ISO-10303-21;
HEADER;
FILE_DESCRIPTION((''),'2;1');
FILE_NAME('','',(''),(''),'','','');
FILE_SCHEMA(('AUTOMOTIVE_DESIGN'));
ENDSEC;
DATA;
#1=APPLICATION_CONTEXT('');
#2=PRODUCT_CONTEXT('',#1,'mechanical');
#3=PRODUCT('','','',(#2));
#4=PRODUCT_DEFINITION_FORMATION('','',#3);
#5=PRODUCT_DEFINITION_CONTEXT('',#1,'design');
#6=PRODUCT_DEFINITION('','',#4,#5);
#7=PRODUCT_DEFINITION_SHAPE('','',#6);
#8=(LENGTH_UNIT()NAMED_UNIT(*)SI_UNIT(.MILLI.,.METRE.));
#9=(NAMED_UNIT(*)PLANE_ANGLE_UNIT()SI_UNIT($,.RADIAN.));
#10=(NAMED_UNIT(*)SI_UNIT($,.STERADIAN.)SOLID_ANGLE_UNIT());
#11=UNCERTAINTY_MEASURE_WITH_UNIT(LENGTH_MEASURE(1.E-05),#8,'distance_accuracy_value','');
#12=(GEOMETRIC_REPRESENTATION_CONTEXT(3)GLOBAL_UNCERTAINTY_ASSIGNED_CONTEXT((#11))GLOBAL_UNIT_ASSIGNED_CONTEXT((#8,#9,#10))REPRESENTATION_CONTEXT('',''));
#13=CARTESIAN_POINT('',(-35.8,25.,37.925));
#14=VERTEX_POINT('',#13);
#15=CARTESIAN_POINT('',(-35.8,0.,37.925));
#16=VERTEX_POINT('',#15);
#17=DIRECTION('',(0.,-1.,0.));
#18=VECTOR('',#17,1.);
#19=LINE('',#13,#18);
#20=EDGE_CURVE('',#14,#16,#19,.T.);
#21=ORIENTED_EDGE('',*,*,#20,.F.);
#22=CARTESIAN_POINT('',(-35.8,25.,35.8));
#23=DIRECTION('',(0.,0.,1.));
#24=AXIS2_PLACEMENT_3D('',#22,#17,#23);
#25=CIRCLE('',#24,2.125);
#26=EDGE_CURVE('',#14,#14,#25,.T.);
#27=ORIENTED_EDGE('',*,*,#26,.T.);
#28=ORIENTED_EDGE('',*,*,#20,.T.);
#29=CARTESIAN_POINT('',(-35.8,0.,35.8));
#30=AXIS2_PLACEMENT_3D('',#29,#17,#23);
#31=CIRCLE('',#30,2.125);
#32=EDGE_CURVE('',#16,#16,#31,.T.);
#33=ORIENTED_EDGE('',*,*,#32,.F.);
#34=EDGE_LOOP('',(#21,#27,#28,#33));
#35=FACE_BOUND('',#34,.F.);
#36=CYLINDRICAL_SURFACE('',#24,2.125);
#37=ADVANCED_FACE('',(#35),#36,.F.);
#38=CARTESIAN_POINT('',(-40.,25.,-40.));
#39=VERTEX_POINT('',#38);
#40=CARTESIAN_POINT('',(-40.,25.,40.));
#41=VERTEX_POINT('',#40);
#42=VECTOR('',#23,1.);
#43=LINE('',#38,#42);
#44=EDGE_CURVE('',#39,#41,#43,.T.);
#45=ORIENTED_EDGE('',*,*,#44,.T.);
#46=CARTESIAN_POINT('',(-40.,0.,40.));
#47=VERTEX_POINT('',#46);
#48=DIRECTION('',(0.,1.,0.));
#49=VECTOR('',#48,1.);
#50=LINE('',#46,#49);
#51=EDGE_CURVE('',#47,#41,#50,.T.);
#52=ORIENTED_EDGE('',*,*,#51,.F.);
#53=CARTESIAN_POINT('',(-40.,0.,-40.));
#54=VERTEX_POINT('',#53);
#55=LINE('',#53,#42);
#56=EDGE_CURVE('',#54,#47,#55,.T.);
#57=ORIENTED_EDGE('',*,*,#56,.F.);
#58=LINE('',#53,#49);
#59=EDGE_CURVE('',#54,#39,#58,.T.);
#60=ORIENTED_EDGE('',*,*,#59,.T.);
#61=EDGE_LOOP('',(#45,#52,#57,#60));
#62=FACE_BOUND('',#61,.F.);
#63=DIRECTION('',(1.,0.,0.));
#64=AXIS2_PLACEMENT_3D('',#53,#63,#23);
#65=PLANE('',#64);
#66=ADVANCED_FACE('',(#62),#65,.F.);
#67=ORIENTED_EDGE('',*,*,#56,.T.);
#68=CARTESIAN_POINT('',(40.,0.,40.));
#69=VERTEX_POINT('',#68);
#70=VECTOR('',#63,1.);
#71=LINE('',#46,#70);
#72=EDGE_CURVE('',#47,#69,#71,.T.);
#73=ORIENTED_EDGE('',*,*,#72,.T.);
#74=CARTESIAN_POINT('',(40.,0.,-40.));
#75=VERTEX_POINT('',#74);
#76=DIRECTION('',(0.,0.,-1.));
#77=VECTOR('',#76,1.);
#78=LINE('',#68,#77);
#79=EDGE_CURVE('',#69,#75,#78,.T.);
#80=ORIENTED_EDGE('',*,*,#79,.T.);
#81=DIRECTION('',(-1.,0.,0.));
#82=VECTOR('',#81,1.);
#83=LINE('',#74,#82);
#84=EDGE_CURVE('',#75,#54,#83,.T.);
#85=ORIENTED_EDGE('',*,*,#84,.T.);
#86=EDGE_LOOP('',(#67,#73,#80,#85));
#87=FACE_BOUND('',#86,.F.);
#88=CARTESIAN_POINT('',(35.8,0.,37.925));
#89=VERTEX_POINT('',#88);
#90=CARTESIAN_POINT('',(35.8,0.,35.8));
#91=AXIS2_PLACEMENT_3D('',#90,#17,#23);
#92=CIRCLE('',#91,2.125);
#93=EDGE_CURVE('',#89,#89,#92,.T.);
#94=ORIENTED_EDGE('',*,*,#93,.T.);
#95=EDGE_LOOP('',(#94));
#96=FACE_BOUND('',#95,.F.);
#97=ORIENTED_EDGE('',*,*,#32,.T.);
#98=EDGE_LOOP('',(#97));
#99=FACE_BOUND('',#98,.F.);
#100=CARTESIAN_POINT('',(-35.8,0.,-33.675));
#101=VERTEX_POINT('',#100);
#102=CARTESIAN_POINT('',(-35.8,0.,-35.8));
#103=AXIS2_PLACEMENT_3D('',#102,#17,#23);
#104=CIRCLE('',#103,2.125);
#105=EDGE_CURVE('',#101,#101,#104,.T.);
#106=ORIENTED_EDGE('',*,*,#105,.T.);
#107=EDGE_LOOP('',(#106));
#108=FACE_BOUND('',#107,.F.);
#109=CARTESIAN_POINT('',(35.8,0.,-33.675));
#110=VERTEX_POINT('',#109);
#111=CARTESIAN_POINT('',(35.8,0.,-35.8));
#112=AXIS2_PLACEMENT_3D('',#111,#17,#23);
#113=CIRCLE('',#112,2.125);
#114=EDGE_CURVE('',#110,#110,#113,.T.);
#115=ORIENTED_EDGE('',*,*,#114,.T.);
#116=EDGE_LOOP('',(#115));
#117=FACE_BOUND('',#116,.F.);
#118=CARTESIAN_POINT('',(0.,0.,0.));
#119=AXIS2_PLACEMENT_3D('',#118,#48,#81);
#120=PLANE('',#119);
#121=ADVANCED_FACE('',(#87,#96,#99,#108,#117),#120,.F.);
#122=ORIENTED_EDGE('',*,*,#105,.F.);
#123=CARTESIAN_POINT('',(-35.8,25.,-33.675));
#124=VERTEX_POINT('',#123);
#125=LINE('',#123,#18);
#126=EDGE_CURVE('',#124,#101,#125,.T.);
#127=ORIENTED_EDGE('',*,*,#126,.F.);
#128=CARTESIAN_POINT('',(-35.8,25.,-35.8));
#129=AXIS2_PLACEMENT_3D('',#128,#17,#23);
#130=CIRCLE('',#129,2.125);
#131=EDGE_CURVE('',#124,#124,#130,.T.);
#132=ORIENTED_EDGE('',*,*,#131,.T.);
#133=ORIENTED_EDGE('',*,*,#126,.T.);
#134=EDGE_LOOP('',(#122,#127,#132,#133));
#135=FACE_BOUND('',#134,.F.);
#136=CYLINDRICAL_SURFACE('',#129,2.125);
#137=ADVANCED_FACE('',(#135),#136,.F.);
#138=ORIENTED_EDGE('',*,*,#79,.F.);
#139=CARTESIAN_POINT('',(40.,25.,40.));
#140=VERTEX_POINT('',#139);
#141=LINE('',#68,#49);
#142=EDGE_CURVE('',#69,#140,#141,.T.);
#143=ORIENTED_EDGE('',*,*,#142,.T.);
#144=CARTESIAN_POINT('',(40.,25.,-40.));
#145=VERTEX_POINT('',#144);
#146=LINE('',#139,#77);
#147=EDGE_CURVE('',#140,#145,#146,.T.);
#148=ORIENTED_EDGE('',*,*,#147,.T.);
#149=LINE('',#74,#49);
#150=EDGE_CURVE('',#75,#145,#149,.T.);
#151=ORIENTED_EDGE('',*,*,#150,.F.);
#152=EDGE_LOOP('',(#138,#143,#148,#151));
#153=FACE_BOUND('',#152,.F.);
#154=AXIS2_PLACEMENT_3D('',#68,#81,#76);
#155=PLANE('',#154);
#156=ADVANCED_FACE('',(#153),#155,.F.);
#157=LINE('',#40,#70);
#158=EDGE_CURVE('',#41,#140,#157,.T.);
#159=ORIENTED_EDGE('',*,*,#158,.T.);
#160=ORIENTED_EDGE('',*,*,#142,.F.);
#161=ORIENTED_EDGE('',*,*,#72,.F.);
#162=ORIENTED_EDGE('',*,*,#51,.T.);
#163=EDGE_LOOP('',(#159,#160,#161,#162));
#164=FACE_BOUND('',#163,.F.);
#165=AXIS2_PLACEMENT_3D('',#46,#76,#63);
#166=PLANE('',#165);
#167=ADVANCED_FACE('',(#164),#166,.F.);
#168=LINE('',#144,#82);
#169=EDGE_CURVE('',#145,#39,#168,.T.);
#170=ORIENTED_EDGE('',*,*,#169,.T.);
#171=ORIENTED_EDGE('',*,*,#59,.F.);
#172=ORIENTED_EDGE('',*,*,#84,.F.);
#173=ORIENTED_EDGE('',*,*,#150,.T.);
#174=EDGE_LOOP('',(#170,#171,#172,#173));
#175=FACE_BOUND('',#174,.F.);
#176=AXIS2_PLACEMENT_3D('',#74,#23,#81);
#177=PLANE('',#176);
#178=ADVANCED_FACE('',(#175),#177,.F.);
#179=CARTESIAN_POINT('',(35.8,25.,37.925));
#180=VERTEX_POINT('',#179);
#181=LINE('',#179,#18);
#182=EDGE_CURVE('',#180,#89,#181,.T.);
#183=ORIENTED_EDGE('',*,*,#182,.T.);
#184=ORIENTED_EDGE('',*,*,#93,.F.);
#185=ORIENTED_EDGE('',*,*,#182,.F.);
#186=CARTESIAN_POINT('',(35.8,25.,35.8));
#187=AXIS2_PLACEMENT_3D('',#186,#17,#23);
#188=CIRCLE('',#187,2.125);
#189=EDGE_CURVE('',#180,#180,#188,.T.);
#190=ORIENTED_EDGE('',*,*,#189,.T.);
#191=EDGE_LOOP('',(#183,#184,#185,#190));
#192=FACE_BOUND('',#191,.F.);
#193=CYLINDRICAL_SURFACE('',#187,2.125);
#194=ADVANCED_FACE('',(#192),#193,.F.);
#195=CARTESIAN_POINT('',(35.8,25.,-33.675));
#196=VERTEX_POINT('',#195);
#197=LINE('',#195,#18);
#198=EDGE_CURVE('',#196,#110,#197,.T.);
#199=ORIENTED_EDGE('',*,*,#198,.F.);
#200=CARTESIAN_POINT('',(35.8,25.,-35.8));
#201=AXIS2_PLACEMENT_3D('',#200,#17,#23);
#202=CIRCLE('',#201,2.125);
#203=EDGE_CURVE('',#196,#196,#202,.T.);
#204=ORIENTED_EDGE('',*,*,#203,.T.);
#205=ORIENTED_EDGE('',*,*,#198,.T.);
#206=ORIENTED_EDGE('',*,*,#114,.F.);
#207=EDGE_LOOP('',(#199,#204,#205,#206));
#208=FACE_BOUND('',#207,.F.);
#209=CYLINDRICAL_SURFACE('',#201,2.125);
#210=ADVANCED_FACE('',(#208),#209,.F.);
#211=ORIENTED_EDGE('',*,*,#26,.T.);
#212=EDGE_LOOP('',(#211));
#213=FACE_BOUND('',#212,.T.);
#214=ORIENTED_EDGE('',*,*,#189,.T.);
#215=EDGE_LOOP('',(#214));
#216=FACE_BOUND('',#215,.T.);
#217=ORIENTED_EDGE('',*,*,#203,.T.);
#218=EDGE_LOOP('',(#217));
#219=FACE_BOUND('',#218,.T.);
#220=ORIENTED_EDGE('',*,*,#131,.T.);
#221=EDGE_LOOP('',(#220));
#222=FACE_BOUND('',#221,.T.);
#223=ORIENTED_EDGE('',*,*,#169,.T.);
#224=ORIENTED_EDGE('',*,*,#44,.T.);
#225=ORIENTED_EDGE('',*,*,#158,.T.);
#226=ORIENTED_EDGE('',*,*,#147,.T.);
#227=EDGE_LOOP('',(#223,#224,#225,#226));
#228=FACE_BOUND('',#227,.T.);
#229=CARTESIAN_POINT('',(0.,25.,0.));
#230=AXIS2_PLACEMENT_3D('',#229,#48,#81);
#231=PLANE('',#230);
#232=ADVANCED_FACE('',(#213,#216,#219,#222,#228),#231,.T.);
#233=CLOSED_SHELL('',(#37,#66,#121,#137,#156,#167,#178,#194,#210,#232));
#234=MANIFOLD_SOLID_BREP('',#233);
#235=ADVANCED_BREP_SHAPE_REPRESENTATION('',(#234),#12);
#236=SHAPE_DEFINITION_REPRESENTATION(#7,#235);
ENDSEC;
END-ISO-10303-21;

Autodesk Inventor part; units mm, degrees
ref_plane "YZ Plane" through (0, 0, 0) normal (1, 0, 0) x (0, 1, 0)
ref_plane "XZ Plane" through (0, 0, 0) normal (0, 1, 0) x (-1, 0, 0)
ref_plane "XY Plane" through (0, 0, 0) normal (0, 0, 1) x (1, 0, 0)
sketch "Boceto1" plane through (0, 0, 0) normal (0, 1, 0) x (-1, 0, 0)
  line L0 (-40, -40) -> (40, -40)
  line L1 (40, -40) -> (40, 40)
  line L2 (40, 40) -> (-40, 40)
  line L3 (-40, 40) -> (-40, -40)
  line L4 (-40, -40) -> (40, 40) construction
  line L5 (40, -40) -> (-40, 40) construction
  point P0 (0, 0)
  dimension "d0" = 80
  dimension "d1" = 80
extrude "Extrusión1" add sketch "Boceto1" along normal blind 25
sketch "Boceto2" plane through (0, 25, 0) normal (0, 1, 0) x (1, 0, 0)
  line L0 (-40, -40) -> (40, -40) projected
  line L1 (40, -40) -> (40, 40) projected
  circle A0 centre (35.8, -35.8) radius 2.1
  line L2 (40, 40) -> (35.8, 40)
  line L3 (40, 40) -> (-40, 40) projected
  line L4 (35.8, 40) -> (40, 40)
  line L5 (-40, 40) -> (-40, -40) projected
  line L6 (-40, 40) -> (-35.8, 40)
  line L7 (-35.8, 40) -> (-35.8, 35.8)
  line L8 (-40, -40) -> (-35.8, -40)
  line L9 (-35.8, -40) -> (-35.8, -35.8)
  circle A1 centre (-35.8, -35.8) radius 2.1
  circle A2 centre (-35.8, 35.8) radius 2.1
  line L10 (35.8, 40) -> (35.8, 35.8)
  circle A3 centre (35.8, 35.8) radius 2.1
  point P0 (0, 0)
  dimension "d15" = 4.2
  dimension "d16" = 4.2
  dimension "d17" = 4.2
  dimension "d18" = 4.2
  dimension "d19" = 4.2
  dimension "d20" = 4.2
  dimension "d21" = 4.2
  dimension "d22" = 4.2
  dimension "d23" = 4.2
  dimension "d24" = 4.2
hole "Agujero1" at (35.8, 25, 35.8) at (35.8, 25, -35.8) at (-35.8, 25, -35.8) at (-35.8, 25, 35.8) direction (0, -1, 0) diameter 4.25 depth 30
properties part number "Ventilador"
